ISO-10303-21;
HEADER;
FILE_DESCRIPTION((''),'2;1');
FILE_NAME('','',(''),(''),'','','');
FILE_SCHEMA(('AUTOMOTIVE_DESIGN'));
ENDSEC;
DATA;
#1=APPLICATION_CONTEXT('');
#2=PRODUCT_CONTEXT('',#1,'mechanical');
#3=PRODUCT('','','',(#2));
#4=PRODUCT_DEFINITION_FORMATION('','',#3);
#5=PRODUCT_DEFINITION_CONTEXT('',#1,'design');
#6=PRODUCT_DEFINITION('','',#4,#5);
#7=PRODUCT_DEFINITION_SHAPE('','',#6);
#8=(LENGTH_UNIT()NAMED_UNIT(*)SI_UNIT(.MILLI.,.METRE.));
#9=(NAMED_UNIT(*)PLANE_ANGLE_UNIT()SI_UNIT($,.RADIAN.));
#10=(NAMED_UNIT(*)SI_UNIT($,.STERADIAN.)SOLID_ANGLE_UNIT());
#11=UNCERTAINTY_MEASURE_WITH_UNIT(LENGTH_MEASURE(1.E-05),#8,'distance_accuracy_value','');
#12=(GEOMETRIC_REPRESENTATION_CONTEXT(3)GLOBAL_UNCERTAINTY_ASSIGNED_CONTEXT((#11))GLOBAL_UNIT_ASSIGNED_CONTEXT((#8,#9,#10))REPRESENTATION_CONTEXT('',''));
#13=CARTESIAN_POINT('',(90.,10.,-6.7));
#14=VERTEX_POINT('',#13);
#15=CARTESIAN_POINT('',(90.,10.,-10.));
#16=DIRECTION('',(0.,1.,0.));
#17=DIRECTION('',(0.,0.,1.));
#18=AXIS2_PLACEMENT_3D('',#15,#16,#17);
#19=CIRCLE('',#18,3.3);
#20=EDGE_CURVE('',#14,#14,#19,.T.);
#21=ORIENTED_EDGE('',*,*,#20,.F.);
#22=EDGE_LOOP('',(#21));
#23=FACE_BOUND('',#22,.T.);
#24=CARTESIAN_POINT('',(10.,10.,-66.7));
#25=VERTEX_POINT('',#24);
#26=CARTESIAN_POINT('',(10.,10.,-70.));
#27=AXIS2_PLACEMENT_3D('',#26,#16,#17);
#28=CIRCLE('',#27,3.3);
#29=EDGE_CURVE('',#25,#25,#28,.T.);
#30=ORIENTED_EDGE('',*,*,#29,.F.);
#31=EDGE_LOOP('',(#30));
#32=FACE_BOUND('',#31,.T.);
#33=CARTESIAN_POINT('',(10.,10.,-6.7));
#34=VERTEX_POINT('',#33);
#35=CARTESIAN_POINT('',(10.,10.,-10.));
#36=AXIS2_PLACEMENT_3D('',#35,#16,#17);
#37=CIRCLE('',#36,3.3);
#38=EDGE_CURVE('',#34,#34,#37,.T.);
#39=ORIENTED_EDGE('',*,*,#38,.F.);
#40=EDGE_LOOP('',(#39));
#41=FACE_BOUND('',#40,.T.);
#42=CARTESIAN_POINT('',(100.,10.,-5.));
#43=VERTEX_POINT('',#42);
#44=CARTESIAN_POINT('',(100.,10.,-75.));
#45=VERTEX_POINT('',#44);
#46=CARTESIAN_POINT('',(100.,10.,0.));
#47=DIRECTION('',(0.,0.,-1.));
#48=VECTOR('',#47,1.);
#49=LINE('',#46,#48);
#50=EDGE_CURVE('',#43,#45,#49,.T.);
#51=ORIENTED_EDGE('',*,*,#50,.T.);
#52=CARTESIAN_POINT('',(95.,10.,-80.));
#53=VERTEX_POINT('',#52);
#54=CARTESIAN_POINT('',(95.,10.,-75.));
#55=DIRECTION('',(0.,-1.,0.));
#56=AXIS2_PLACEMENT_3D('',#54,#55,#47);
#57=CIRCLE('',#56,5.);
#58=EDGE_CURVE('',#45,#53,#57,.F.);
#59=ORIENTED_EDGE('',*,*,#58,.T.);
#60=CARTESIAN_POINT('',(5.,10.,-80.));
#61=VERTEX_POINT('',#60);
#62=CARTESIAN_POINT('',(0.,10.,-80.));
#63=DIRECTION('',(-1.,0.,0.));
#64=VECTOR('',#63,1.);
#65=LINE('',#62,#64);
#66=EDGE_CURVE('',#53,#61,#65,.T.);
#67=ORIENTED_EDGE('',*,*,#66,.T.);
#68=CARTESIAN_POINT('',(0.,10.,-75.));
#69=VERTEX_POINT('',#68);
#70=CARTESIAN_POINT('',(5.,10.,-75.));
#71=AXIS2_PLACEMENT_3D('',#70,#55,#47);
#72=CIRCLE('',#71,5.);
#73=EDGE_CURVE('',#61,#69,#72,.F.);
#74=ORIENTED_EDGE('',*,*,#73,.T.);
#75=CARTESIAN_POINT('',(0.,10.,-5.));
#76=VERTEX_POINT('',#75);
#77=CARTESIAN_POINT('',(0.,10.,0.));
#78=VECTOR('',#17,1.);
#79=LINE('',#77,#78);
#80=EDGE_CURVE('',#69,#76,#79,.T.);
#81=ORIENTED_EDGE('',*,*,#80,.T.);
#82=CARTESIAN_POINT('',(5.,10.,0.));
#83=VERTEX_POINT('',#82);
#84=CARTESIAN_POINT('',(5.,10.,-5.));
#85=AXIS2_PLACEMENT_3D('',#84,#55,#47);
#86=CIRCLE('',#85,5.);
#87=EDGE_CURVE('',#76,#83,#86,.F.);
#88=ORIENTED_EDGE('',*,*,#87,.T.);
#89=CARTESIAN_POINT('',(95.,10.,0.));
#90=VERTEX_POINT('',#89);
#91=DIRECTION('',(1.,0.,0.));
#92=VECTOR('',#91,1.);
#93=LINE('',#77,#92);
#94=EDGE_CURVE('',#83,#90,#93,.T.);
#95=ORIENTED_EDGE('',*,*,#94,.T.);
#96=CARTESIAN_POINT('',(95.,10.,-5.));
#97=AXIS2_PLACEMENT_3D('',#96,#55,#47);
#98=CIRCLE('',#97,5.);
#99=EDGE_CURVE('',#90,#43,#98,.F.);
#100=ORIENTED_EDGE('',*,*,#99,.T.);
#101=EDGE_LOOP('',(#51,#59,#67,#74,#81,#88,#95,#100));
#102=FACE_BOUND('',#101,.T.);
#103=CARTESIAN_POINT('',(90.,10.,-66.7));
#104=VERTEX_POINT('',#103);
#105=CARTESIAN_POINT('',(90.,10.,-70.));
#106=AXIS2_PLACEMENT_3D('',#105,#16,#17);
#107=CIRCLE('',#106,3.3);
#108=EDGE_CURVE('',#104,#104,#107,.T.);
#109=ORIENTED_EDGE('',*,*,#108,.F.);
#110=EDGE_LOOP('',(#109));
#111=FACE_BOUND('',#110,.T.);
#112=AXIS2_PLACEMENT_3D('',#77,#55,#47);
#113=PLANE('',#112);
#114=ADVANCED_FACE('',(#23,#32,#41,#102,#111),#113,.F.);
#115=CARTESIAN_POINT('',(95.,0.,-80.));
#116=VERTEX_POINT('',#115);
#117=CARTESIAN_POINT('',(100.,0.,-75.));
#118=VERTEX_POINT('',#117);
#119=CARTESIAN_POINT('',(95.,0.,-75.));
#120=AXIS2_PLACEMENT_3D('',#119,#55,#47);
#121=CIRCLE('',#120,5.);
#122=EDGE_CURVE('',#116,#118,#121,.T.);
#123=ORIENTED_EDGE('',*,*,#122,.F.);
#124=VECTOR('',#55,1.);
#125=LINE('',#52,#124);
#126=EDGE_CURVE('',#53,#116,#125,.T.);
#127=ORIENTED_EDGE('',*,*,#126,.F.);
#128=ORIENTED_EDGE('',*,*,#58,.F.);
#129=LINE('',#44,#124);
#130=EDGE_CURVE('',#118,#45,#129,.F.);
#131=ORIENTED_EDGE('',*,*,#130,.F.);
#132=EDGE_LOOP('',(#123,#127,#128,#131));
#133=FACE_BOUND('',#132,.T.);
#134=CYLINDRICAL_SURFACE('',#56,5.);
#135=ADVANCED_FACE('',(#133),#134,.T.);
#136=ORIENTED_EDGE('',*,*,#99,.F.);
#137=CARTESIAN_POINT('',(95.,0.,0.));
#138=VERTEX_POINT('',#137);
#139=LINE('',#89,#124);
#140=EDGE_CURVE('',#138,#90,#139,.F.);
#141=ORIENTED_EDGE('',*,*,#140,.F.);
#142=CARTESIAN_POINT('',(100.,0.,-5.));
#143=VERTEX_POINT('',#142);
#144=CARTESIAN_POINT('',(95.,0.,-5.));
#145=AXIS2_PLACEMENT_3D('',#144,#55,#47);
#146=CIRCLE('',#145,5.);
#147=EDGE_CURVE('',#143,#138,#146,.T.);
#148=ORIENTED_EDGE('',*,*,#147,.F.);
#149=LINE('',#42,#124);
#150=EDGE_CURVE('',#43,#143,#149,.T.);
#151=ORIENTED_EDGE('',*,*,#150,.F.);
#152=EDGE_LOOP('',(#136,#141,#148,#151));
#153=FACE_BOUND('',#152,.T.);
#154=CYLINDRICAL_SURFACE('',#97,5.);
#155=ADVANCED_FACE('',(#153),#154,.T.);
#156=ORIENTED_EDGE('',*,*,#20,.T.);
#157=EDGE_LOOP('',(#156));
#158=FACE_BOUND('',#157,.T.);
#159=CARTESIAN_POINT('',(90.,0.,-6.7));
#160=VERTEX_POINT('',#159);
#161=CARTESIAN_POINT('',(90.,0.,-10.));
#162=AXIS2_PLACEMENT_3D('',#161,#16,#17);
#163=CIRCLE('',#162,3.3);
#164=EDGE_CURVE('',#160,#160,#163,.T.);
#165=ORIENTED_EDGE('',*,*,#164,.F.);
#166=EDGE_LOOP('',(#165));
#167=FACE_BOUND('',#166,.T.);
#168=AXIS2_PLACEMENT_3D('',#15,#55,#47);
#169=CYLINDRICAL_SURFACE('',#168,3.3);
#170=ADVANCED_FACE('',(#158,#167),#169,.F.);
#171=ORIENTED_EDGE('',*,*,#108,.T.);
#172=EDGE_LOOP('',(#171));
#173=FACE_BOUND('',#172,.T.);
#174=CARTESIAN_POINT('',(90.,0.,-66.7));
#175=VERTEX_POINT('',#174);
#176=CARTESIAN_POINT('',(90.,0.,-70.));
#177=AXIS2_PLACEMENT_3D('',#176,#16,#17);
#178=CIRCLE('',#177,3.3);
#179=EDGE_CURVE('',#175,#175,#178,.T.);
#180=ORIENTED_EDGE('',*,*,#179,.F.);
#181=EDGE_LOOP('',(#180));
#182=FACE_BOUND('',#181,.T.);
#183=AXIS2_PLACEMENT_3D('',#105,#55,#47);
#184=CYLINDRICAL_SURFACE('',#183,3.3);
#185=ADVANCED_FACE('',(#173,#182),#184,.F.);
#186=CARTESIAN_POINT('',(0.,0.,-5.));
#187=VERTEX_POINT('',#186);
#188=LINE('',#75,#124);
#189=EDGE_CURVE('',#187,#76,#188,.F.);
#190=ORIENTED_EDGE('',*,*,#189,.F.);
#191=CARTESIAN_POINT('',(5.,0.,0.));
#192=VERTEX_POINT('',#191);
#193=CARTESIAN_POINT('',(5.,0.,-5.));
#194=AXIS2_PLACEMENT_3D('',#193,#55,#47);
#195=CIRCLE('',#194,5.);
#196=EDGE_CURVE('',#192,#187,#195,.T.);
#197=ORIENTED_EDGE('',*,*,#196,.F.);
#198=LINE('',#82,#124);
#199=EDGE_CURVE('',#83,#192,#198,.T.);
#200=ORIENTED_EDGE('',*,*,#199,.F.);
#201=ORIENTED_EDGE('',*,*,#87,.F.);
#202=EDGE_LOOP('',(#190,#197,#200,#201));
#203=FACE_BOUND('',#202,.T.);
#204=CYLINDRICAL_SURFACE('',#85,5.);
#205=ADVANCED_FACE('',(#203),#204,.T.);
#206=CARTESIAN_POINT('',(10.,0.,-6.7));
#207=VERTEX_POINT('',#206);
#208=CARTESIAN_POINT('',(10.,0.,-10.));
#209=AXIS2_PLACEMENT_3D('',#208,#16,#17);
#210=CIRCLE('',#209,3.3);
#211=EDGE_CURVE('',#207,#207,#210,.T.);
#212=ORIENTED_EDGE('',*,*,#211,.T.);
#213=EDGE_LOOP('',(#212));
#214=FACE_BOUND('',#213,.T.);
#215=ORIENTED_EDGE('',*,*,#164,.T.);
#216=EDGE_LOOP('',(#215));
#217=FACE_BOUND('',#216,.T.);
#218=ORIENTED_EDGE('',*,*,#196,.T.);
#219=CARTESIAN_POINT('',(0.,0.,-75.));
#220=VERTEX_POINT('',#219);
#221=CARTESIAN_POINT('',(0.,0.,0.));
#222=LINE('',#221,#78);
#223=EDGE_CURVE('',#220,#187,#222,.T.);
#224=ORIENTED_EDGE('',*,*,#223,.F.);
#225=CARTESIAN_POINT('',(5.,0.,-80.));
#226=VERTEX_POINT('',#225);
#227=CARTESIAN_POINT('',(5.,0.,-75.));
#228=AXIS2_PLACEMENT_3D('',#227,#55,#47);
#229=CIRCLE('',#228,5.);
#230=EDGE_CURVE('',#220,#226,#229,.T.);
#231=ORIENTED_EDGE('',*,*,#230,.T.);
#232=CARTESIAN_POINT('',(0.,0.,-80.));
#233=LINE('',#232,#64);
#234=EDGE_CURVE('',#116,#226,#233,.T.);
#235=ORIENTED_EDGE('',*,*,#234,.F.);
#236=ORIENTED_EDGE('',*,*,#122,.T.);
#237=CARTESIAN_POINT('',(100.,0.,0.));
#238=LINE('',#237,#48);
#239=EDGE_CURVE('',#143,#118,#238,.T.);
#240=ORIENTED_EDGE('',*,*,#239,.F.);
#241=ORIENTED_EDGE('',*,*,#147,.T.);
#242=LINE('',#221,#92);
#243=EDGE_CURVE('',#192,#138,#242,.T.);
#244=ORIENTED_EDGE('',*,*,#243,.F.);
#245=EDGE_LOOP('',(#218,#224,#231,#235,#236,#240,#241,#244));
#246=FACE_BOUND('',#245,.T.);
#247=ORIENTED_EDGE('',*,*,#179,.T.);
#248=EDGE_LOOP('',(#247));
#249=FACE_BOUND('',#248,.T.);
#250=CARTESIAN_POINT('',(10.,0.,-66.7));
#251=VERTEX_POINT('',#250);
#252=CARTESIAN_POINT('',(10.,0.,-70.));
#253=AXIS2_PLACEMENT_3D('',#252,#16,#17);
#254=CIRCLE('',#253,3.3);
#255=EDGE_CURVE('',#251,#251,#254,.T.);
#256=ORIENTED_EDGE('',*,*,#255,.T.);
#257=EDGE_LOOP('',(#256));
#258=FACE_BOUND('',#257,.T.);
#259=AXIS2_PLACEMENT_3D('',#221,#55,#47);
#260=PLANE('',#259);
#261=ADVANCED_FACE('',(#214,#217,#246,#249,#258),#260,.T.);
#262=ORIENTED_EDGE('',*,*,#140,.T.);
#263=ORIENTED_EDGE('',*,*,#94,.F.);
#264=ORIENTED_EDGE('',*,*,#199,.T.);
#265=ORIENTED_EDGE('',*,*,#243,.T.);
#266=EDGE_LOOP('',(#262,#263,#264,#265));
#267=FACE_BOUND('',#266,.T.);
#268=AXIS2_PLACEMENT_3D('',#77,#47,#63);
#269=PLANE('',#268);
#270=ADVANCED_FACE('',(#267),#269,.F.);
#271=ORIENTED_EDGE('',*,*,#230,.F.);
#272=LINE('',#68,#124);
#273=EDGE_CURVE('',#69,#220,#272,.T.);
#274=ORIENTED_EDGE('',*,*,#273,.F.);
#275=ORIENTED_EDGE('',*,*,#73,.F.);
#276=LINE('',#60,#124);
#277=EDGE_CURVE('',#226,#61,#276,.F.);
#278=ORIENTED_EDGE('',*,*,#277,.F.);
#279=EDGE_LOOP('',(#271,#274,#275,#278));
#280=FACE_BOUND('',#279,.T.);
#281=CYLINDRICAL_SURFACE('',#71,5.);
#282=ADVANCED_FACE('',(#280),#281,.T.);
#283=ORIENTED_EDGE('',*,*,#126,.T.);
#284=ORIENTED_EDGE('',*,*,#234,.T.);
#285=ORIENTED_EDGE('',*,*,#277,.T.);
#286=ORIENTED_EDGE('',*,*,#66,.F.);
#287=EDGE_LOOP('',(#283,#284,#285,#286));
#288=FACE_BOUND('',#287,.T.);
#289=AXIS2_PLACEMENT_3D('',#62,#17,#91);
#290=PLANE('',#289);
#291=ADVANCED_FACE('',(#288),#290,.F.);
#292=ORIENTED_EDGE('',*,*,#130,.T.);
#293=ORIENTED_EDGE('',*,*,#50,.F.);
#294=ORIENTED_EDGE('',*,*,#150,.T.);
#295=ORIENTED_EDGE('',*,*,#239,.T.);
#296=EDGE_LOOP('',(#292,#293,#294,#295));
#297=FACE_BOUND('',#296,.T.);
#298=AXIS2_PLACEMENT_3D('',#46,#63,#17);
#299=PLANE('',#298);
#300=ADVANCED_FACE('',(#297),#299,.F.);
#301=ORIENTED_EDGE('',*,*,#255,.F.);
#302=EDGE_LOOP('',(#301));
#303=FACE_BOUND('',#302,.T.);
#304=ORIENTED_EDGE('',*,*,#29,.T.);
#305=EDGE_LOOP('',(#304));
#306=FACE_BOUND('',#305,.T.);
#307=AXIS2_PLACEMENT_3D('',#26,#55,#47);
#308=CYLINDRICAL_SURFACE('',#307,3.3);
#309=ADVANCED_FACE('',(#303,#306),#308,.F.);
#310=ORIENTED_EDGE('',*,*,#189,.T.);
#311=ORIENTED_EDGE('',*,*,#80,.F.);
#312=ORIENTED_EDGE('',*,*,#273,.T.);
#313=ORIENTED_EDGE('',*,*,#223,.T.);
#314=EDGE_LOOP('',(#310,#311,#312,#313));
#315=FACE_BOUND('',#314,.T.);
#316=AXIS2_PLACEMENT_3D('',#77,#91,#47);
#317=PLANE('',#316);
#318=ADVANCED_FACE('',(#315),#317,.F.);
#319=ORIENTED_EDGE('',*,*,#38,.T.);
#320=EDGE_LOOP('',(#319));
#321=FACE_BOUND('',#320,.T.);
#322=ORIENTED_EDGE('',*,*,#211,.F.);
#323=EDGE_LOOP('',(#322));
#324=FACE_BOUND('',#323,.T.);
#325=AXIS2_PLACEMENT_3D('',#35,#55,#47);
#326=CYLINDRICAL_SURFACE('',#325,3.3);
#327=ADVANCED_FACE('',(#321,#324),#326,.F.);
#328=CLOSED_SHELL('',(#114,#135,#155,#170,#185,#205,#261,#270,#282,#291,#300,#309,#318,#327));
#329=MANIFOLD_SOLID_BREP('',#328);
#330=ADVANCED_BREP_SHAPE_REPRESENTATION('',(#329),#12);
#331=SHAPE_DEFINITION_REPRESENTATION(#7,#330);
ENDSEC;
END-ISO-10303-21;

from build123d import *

# Parameters (mm, degrees)
SKETCH_1_W          = 100
SKETCH_1_H          = 80
EXTRUDE_1_DEPTH     = 10
SKETCH_2_R          = 3.3
CUT_EXTRUDE_1_DEPTH = 129.452325787
FILLET_1_R          = 5


with BuildPart() as part:
    # 草圖1 → 填料-伸長1 (new body)
    with BuildSketch(Plane(origin=(0, 0, 0), x_dir=(1, 0, 0), z_dir=(0, 1, 0))):
        with Locations((50, 40)):
            Rectangle(SKETCH_1_W, SKETCH_1_H)
    extrude(amount=EXTRUDE_1_DEPTH)

    # 草圖2 → 除料-伸長1 (cut, through all)
    with BuildSketch(Plane(origin=(0, 0, 0), x_dir=(1, 0, 0), z_dir=(0, 1, 0))):
        with Locations(Location((10, 10, 0), (0, 0, 270))):
            Circle(SKETCH_2_R)
        with Locations(Location((90, 10, 0), (0, 0, 270))):
            Circle(SKETCH_2_R)
        with Locations(Location((10, 70, 0), (0, 0, 270))):
            Circle(SKETCH_2_R)
        with Locations(Location((90, 70, 0), (0, 0, 270))):
            Circle(SKETCH_2_R)
    extrude(amount=CUT_EXTRUDE_1_DEPTH, mode=Mode.SUBTRACT)

    # 圓角1
    fillet_1_edges = [part.edges().sort_by_distance(p)[0] for p in [
        (0, 5, -80),
        (100, 5, -80),
        (100, 5, 0),
        (0, 5, 0),
    ]]
    fillet(fillet_1_edges, radius=FILLET_1_R)


solid = part.part
